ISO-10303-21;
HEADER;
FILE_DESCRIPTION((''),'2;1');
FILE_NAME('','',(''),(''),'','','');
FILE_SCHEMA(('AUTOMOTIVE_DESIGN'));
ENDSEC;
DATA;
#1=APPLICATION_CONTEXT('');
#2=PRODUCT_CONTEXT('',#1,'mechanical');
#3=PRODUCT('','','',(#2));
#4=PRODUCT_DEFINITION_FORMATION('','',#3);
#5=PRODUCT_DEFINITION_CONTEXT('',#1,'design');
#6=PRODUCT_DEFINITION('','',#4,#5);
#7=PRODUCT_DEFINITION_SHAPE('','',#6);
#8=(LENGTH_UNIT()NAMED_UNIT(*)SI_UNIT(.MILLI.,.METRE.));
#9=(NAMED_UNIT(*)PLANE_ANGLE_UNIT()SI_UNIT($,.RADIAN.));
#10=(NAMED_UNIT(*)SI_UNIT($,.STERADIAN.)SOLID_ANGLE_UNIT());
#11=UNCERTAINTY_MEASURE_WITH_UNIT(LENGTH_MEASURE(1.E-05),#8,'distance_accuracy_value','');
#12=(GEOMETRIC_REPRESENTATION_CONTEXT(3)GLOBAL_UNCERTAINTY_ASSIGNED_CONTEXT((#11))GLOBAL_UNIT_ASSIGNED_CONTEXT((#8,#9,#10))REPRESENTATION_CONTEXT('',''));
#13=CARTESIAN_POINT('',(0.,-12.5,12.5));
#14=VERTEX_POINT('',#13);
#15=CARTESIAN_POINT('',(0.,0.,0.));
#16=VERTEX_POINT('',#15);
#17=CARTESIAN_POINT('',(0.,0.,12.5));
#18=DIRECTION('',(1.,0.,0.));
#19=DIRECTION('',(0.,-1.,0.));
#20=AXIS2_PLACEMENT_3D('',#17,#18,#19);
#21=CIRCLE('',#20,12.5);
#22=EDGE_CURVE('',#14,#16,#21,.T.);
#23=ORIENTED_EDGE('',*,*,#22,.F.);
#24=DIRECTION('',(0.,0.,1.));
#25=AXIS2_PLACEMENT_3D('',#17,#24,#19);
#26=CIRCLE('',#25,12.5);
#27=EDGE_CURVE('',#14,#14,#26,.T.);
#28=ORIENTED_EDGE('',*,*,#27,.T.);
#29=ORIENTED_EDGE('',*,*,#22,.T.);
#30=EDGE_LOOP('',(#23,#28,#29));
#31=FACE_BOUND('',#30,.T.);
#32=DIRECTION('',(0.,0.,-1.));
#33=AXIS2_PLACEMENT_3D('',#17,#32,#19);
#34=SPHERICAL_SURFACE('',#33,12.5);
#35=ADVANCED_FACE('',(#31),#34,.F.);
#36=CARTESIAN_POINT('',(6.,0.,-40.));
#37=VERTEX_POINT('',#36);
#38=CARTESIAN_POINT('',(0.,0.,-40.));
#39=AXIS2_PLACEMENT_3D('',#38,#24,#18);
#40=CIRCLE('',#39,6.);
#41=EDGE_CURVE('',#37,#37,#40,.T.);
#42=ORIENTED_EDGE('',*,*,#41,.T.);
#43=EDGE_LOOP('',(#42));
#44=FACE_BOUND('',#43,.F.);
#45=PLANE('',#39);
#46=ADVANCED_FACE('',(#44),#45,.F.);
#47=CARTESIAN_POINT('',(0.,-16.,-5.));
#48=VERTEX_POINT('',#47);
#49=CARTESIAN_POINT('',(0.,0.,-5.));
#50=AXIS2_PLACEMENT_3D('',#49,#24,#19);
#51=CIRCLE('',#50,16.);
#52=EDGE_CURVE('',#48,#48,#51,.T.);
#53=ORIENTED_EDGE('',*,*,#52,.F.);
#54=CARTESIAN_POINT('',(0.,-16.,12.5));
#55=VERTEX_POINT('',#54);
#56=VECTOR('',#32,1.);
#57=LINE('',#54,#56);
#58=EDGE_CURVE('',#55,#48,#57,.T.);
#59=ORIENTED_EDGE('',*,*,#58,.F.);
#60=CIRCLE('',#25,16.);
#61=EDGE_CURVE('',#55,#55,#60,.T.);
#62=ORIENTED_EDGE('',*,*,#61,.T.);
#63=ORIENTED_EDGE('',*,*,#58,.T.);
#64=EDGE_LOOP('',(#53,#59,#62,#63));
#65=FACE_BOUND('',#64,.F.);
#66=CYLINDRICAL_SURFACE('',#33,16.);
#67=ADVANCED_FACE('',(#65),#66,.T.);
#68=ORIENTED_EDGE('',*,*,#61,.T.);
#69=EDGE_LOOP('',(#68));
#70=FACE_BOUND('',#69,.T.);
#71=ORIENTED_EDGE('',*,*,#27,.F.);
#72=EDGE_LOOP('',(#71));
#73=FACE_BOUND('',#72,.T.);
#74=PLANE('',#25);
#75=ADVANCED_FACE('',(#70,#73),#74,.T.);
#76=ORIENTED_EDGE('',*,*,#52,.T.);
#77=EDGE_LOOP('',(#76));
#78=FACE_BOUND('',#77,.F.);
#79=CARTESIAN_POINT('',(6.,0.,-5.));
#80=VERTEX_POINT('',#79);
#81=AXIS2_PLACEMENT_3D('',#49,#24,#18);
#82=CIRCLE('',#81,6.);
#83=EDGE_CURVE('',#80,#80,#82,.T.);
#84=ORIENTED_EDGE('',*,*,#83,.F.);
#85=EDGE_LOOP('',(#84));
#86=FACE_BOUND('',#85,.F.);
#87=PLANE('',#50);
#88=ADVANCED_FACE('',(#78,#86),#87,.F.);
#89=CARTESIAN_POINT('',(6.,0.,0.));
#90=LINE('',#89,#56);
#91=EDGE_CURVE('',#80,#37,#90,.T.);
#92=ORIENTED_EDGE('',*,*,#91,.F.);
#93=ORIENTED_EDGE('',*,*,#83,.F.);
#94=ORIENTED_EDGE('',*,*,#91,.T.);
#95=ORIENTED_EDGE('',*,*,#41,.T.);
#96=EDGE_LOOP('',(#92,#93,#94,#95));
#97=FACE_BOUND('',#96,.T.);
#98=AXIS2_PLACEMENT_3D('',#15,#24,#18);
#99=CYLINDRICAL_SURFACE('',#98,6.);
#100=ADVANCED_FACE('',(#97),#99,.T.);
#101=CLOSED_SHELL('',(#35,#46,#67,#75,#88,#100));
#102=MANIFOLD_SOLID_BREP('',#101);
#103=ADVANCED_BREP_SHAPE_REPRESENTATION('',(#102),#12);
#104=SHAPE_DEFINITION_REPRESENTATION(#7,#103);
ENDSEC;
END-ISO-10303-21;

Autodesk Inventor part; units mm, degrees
ref_plane "YZ Plane" through (0, 0, 0) normal (1, 0, 0) x (0, 1, 0)
ref_plane "XZ Plane" through (0, 0, 0) normal (0, 1, 0) x (-1, 0, 0)
ref_plane "XY Plane" through (0, 0, 0) normal (0, 0, 1) x (1, 0, 0)
sketch "Sketch1" plane through (0, 0, 0) normal (0, 0, 1) x (1, 0, 0)
  circle A0 centre (0, 0) radius 13
  dimension "d0" = 26
sketch "Sketch2" plane through (0, 0, 0) normal (0, 0, 1) x (1, 0, 0)
  circle A0 centre (0, 0) radius 6
  dimension "MinorDIA" = 12
extrude "Extrusion1" add sketch "Sketch2" against normal blind 40
sketch "Sketch4" plane through (0, 0, 0) normal (1, 0, 0) x (0, 1, 0)
  line L0 (0, 0) -> (0, 25) construction
  circle A0 centre (0, 12.5) radius 12.5 construction
  line L1 (6, 0) -> (-6, 0) projected
  line L2 (6, 0) -> (-6, 0) projected
  line L3 (-16, 12.5) -> (-12.5, 12.5)
  line L4 (-16, 12.5) -> (-16, -5)
  line L5 (-16, -5) -> (0, -5)
  line L6 (0, -5) -> (0, 0)
  line L7 (-12.5, 27.5) -> (-12.5, -3.4028) construction
  arc A1 (-12.5, 12.5) -> (0, 0) centre (0, 12.5) ccw
  dimension "BallJointBall_Dia" = 25
  dimension "BodyDepth" = 5
  dimension "BallJointBody_THICKNESS" = 3.5
  dimension "d52" = 17.5
revolve "Revolution1" add sketch "Sketch4" angle 360 about axis through (0, 0, 0) along (0, 0, 1)
sketch "Sketch5" plane through (0, 0, 0) normal (1, 0, 0) x (0, 1, 0)
  line L0 (-6, -40) -> (6, -40) construction
  line L1 (6, -40) -> (6, -47.8199) construction
  line L2 (7.0825, -39.5608) -> (7.0825, -47.5953) construction
  line L3 (6.9472, -42.5792) -> (6.9472, -40) construction
  line L4 (6.1797, -43.2466) -> (6.1797, -39.9527) construction
  line L5 (7.0825, -40.625) -> (6, -40.625) construction
  line L6 (6.1279, -41.25) -> (6.1279, -40) construction
  line L7 (6, -40) -> (7.0825, -40) construction
  line L8 (6, -41.25) -> (7.0825, -41.25) construction
  line L9 (7.0825, -40) -> (6, -40.625) construction
  line L10 (6, -40.625) -> (7.0825, -41.25) construction
  arc A0 (6.1797, -40.5213) -> (6.1797, -40.7287) centre (6.2578, -40.625) ccw
  line L11 (6.9472, -40) -> (6.9472, -40.0781)
  line L12 (6.9472, -40.0781) -> (6.1797, -40.5213)
  line L13 (6.9472, -41.1719) -> (6.9472, -41.25)
  line L14 (6.9472, -41.1719) -> (6.1797, -40.7287)
  line L15 (6.9472, -40.0781) -> (6.9472, -41.1719)
  point P0 (0, 0)
  dimension "dv" = 1.0825
  dimension "dvBigDIA" = 0.1353
  dimension "dt" = 0.7675
  dimension "d12" = 1.25
  dimension "d13" = 0.625
  dimension "dvSmallDIA" = 0.1279
  dimension "d16" = 0.9472
  dimension "d19" = 59.999
  dimension "d22" = 0.5469
  dimension "a" = 0.0518
thread "Thread5" size "M12x1.25" class "6g" standard "ISO Metric profile" full length
thread "Thread6" size "M32x1.5" class "6g" standard "ISO Metric profile" full length
sketch "Sketch13" plane through (0, 0, 12.5) normal (0, 0, 1) x (1, 0, 0)
  circle A0 centre (0, 0) radius 16 projected
  dimension "d84" = 32
equation "\"d0\" = SteeringColumn_DIA"
equation "\"dv\" = 0.866 * Pitch"
equation "\"dvBigDIA\" = 0.125 * dv"
equation "\"dt\" = 0.614 * Pitch"
equation "\"d12\" = Pitch"
equation "\"d13\" = 0.5 * d12"
equation "\"dvSmallDIA\" = 0.166667 * dt"
equation "\"TD\" = 0.3"
equation "\"Ball_DIA\" = 6"
equation "\"Screw_L\" = 292"
equation "\"Screw_DIA\" = 36"
equation "\"Nut_OD\" = 66"
equation "\"BPath_REVQ\" = 5.75"
equation "\"Tread_OFFSET\" = 8.075"
equation "\"SteeringColumn_DIA\" = 26"
equation "\"SteeringColumnChamfer_DEG\" = 20deg"
equation "\"Rack_L\" = 307.252"
equation "\"Pitch\" = 1.25"
equation "\"NutCapTread_L\" = 25"
equation "\"NutCapTread_THICKNESS\" = 5.365"
equation "\"NutCap_THICKNESS\" = 5.38"
equation "\"GearToHub_Ratio\" = 0.6"
equation "\"SupportFlange_THICKNESS\" = 5"
equation "\"GearKey_L\" = 32"
properties part number "MCEN4000:T1" material "STEEL, AISI 1040"
